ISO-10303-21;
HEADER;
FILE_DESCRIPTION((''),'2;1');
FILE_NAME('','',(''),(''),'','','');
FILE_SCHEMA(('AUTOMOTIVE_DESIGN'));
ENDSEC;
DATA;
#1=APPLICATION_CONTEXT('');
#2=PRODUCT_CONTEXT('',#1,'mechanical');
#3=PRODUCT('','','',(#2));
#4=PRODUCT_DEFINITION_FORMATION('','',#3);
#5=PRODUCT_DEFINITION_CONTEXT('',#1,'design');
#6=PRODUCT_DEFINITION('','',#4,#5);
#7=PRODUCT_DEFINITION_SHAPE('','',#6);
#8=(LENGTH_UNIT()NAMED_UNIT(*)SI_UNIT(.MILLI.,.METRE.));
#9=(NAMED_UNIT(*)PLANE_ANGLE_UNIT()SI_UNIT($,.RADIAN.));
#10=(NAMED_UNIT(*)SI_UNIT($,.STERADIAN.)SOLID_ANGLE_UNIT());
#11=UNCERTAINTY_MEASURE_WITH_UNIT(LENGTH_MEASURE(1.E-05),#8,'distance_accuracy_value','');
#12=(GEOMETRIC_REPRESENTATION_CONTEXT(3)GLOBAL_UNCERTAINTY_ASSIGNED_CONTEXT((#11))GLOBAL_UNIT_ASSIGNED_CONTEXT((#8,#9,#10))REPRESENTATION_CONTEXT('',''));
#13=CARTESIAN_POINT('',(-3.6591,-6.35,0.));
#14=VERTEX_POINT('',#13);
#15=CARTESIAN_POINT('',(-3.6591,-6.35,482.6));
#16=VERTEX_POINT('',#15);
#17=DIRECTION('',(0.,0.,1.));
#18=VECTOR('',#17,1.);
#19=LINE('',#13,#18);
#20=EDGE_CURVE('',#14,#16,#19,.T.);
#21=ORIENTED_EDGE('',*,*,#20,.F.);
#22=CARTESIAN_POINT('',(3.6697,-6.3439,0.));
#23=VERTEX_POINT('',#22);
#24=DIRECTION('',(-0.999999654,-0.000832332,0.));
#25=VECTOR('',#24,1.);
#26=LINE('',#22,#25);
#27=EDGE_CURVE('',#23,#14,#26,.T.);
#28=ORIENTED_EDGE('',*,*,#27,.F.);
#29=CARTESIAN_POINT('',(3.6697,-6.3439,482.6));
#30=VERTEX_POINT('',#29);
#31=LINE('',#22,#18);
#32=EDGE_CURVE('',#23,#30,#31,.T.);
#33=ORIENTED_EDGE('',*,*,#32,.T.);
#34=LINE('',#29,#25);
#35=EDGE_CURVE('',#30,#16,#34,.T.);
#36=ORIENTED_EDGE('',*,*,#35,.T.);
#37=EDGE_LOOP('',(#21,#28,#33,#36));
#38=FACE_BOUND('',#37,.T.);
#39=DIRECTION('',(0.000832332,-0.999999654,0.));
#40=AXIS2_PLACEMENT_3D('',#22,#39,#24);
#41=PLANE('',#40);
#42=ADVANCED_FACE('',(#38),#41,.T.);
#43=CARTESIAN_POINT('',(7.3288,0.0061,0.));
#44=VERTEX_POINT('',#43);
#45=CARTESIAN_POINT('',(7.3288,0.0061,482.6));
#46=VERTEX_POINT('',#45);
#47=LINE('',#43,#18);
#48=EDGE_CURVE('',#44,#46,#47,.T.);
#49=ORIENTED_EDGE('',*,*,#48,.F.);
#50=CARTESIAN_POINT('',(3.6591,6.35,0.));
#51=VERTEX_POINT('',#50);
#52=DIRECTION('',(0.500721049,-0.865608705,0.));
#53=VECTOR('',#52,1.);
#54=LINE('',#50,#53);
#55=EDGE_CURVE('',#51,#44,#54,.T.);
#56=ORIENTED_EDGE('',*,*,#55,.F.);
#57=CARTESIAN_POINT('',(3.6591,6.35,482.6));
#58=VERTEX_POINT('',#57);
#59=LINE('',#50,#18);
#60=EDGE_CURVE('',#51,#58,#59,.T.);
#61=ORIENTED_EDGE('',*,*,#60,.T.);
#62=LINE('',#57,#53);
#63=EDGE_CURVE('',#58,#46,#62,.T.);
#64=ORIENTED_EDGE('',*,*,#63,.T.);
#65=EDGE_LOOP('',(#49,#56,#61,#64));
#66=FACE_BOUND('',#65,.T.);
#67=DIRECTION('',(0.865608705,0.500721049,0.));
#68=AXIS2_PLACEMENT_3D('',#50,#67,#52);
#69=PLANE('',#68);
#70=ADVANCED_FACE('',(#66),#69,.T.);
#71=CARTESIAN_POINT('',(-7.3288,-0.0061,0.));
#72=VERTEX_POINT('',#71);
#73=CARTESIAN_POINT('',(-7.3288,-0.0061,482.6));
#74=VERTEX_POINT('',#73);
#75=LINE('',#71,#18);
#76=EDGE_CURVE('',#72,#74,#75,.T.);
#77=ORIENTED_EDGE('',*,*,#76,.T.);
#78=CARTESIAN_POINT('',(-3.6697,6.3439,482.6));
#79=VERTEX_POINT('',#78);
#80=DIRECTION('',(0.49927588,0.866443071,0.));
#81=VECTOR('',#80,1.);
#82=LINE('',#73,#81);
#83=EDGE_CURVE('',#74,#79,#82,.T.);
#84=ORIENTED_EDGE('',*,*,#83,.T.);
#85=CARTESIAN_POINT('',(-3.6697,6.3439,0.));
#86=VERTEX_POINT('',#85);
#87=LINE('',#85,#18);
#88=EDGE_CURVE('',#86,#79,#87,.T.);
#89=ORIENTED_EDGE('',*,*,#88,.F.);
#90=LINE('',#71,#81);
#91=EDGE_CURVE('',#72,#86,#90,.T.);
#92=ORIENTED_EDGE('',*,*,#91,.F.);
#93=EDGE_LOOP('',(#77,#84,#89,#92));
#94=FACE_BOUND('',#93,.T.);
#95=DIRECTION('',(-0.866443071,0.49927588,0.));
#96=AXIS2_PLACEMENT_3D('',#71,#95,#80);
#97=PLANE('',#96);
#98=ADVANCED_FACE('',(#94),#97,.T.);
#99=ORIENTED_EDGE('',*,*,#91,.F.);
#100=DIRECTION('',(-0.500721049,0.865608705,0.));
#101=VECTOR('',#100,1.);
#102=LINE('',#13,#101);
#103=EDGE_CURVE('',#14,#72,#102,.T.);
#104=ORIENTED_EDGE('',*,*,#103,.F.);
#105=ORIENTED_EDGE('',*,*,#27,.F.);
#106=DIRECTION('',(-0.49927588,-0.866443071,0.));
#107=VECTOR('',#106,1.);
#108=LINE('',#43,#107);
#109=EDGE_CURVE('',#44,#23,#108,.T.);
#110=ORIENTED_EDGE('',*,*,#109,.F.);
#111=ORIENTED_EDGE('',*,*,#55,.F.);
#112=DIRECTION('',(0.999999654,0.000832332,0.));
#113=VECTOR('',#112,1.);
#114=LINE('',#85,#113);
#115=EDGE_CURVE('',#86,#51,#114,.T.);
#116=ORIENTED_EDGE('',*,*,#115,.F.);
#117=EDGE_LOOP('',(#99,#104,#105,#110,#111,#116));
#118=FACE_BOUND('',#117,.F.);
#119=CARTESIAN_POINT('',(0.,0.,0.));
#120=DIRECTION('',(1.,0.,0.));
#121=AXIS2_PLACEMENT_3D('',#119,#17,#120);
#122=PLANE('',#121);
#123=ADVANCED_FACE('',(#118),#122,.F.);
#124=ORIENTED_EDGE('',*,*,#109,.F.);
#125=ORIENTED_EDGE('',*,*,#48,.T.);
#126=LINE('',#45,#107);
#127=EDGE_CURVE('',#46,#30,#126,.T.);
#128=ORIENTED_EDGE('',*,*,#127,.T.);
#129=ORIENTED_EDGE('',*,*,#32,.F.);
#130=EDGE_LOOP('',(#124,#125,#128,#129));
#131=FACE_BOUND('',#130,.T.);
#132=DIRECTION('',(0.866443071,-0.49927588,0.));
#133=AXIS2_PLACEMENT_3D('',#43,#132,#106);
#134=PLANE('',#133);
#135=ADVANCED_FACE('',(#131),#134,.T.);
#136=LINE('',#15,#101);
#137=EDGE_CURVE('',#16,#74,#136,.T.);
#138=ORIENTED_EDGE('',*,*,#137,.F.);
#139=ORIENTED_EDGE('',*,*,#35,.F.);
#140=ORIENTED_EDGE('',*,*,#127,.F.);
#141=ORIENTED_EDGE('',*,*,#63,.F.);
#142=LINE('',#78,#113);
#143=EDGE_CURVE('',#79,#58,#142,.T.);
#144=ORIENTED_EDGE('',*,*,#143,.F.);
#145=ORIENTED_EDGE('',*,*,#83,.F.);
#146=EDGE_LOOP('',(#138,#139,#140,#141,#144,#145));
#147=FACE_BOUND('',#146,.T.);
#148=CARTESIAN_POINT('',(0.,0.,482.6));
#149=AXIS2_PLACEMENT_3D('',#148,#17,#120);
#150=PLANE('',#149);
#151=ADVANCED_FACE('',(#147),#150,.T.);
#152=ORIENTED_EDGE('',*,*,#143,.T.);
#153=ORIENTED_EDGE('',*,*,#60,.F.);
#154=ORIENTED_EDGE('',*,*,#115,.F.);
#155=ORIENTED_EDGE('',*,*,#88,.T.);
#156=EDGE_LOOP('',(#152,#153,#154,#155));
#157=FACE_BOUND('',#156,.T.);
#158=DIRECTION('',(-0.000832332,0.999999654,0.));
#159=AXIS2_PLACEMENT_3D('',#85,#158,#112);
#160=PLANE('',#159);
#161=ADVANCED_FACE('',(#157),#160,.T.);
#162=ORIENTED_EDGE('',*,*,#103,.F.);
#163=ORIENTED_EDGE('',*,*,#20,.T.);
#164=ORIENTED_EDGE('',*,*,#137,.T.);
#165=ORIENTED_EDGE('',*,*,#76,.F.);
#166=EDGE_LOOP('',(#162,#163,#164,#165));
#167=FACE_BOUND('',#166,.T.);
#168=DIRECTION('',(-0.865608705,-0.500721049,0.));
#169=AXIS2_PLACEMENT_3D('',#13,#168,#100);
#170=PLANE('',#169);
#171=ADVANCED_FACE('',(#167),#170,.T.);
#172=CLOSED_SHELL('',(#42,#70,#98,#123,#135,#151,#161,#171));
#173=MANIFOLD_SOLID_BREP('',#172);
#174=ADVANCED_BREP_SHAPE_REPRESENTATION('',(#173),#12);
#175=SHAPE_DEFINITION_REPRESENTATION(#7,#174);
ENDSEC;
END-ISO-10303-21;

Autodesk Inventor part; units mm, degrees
ref_plane "YZ Plane" through (0, 0, 0) normal (1, 0, 0) x (0, 1, 0)
ref_plane "XZ Plane" through (0, 0, 0) normal (0, 1, 0) x (-1, 0, 0)
ref_plane "XY Plane" through (0, 0, 0) normal (0, 0, 1) x (1, 0, 0)
sketch "Sketch1" plane through (0, 0, 0) normal (0, 0, 1) x (1, 0, 0)
  line L0 (0, 0) -> (0, 6.35) construction
  line L1 (3.6591, 6.35) -> (7.3288, 0.0061)
  line L2 (7.3288, 0.0061) -> (3.6697, -6.3439)
  line L3 (3.6697, -6.3439) -> (-3.6591, -6.35)
  line L4 (-3.6591, -6.35) -> (-7.3288, -0.0061)
  line L5 (-7.3288, -0.0061) -> (-3.6697, 6.3439)
  line L6 (-3.6697, 6.3439) -> (3.6591, 6.35)
  dimension "d0" = 6.35
extrude "Extrusion1" add sketch "Sketch1" along normal blind 482.6
properties part number "Hex Shaft ARm"
